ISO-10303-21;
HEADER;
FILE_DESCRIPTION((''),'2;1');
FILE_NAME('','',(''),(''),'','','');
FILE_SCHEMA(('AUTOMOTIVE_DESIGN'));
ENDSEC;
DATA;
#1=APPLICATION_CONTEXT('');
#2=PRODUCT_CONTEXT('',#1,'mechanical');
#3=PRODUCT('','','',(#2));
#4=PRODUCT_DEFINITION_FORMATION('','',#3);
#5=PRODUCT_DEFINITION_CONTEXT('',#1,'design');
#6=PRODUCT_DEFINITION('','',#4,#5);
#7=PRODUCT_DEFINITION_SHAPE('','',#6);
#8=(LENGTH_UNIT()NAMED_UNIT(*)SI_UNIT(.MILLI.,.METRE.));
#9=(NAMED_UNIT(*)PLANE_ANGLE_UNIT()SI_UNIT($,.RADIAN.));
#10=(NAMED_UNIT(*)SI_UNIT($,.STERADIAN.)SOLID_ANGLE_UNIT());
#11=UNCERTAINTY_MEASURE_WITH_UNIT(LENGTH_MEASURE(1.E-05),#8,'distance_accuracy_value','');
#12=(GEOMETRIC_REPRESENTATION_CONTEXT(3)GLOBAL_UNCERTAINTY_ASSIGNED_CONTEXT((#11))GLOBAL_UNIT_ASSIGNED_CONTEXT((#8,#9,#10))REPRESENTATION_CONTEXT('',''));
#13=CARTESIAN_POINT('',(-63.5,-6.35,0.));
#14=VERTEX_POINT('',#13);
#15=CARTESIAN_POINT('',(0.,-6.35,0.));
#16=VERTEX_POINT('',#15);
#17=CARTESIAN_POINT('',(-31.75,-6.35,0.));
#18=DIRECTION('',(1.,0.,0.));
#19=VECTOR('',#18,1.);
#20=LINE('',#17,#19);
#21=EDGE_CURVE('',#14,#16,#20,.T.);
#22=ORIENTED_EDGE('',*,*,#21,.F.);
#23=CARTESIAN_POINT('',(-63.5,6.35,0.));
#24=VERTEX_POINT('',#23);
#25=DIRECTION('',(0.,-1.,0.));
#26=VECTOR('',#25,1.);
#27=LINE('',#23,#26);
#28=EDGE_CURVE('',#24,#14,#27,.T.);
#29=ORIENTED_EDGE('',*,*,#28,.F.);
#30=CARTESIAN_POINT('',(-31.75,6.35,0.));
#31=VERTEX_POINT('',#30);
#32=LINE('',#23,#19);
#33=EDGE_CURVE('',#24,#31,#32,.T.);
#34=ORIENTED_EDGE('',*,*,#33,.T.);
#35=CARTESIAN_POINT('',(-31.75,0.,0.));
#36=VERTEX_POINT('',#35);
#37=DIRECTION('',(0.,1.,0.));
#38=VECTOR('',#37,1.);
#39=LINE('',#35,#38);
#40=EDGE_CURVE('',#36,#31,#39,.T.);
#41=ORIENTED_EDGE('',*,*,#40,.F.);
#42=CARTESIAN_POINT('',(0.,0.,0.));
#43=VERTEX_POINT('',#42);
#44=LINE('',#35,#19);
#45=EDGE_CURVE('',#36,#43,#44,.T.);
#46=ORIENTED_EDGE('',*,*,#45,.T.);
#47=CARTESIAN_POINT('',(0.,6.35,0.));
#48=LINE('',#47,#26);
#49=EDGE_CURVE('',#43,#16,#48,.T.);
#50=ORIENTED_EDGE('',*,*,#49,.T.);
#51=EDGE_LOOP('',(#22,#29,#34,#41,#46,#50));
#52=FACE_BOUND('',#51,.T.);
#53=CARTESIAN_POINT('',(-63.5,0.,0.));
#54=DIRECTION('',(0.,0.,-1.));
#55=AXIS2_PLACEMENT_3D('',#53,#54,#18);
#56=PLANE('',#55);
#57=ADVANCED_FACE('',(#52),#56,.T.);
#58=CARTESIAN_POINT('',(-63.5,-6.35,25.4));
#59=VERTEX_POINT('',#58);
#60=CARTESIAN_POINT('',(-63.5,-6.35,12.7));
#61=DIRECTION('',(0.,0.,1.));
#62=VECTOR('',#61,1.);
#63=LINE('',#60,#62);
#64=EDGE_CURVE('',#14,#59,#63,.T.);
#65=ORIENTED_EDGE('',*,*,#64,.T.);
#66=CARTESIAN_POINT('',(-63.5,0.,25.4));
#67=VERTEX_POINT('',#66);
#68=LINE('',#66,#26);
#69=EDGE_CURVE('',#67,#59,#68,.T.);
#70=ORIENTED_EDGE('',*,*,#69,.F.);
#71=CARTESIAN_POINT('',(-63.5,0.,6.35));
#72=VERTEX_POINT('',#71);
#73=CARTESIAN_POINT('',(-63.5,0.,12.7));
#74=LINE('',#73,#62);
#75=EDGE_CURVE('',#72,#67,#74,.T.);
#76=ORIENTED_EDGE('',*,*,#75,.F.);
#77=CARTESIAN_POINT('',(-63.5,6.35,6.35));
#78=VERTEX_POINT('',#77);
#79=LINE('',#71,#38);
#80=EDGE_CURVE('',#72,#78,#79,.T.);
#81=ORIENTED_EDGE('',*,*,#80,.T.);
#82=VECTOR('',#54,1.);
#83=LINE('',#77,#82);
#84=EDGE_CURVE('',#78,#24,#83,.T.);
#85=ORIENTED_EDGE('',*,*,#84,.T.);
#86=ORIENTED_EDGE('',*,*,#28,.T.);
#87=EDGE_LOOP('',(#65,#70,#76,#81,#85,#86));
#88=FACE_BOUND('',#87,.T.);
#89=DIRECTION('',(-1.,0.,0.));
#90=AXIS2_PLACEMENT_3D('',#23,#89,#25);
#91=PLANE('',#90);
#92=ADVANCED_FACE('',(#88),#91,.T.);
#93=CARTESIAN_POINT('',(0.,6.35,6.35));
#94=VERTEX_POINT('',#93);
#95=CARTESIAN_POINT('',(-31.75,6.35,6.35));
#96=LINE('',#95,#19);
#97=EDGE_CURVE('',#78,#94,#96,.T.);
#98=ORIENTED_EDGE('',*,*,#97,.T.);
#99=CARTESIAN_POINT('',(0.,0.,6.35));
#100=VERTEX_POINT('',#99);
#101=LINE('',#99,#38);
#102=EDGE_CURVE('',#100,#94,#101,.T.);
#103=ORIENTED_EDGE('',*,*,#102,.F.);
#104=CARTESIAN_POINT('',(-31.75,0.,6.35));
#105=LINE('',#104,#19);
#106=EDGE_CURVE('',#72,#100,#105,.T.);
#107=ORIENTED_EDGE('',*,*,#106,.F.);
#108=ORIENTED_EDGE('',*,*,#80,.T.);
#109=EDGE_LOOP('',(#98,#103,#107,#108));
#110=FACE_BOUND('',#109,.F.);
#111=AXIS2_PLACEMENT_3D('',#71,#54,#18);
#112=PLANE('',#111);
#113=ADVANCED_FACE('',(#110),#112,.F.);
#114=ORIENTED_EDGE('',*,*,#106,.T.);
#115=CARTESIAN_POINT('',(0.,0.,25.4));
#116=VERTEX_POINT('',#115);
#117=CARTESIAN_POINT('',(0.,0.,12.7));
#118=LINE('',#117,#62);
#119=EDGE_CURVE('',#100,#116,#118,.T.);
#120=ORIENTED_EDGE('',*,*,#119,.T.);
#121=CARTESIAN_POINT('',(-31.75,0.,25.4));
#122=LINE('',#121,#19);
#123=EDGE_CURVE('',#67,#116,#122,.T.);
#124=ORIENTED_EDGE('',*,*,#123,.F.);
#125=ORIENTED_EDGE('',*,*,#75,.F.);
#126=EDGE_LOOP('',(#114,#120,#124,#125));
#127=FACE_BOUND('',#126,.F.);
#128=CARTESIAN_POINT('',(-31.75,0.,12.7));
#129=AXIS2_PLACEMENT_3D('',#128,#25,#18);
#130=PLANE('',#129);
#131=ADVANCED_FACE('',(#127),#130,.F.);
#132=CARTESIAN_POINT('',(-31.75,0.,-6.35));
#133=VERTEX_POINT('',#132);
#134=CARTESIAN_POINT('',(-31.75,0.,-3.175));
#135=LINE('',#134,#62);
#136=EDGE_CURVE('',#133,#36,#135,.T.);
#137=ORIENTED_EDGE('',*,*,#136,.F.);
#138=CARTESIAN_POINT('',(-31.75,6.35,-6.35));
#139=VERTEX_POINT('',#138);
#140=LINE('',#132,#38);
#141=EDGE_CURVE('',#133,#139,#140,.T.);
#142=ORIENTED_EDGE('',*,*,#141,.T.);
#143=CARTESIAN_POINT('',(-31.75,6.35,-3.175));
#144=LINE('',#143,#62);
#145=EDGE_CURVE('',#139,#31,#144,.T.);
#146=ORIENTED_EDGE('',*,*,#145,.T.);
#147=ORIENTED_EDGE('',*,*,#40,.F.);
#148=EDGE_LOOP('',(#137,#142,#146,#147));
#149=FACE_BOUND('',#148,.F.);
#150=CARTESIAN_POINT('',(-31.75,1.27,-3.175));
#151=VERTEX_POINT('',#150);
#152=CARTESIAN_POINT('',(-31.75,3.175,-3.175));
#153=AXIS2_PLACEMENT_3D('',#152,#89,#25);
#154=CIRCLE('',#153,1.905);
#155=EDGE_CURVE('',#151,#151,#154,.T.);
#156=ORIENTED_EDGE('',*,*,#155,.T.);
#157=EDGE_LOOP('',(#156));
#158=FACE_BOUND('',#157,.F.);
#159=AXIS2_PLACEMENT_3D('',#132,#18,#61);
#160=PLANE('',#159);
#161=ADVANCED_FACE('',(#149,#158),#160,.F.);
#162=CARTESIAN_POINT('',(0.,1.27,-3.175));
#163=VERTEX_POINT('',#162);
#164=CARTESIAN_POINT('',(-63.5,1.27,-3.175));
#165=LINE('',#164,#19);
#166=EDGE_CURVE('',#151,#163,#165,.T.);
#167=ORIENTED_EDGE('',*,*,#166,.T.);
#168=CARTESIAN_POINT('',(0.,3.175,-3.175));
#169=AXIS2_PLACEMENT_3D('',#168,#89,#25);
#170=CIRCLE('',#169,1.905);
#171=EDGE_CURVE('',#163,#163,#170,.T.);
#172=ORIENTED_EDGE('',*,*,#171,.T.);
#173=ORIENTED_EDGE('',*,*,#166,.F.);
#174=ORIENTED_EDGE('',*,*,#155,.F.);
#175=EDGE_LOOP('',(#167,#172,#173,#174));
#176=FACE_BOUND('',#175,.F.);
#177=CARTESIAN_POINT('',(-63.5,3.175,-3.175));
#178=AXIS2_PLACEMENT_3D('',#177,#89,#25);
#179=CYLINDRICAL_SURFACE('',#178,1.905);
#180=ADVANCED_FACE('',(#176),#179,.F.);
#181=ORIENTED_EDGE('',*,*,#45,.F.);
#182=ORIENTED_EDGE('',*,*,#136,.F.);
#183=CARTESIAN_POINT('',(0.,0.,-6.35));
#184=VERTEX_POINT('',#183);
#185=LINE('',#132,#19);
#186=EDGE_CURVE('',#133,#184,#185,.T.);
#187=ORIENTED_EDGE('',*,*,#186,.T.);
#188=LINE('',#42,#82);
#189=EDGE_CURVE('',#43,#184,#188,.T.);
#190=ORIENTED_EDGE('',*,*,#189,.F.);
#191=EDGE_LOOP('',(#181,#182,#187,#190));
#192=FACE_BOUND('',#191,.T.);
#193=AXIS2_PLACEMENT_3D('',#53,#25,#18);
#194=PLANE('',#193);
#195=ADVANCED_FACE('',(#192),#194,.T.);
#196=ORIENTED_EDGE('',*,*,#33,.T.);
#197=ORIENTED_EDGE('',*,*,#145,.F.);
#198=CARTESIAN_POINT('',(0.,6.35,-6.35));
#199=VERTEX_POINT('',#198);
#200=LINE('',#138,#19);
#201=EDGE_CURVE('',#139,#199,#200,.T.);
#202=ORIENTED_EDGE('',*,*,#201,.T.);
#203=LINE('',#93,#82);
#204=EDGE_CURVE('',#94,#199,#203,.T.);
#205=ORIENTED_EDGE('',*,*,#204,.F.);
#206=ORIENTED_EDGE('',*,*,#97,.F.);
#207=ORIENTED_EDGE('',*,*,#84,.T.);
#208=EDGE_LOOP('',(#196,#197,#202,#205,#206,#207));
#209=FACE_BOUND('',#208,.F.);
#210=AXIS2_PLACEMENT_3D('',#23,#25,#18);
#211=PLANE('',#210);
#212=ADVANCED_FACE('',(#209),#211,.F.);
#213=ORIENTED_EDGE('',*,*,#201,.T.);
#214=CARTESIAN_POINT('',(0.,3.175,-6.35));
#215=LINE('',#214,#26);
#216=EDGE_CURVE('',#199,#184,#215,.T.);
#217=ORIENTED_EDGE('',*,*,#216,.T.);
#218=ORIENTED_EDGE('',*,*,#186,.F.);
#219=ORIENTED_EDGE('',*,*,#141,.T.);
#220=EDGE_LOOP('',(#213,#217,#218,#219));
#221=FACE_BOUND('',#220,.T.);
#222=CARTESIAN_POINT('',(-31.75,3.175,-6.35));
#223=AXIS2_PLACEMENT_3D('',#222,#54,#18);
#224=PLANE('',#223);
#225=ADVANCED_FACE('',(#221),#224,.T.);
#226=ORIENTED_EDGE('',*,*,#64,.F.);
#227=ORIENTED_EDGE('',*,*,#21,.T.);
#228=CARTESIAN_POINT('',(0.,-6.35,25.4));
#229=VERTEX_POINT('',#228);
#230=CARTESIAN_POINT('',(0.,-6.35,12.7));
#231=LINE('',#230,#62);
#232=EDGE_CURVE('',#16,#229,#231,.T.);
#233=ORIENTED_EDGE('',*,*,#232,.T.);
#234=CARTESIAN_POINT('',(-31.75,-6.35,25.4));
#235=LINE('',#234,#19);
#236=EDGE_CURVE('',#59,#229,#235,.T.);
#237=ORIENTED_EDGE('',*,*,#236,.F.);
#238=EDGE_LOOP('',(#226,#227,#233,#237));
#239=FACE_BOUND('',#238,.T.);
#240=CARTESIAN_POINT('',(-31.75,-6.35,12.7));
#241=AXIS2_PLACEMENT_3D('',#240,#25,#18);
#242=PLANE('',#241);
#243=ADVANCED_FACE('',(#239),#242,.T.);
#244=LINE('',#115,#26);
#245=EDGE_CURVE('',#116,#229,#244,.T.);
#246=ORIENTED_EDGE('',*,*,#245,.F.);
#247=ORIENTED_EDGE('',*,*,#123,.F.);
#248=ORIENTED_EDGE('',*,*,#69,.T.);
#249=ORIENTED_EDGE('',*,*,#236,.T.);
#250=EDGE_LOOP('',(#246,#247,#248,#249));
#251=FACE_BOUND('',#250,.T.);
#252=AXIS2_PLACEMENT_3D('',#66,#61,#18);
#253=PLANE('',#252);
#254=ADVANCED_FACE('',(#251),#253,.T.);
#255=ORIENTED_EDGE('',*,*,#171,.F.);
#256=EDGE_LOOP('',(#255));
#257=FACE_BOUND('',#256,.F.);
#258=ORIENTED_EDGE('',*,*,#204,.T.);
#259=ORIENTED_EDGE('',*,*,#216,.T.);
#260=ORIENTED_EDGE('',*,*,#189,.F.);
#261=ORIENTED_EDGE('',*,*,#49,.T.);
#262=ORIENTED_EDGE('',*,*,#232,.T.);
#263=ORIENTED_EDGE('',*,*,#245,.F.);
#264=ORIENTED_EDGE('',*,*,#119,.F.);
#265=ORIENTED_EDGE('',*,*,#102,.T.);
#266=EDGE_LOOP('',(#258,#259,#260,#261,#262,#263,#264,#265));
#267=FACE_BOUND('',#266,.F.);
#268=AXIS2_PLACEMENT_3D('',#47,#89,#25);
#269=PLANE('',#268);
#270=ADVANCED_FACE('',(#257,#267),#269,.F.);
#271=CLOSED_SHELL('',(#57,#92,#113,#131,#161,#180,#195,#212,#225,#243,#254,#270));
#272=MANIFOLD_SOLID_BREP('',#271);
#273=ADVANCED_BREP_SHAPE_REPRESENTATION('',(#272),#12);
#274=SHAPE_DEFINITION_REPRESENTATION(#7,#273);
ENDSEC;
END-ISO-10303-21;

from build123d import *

# Parameters (mm, degrees)
F0_W     = 63.5
F0_H     = 25.4
F1_DEPTH = 6.35
F2_W     = 63.5
F2_H     = 6.35
F3_DEPTH = 6.35
F4_W     = 63.5
F4_H     = 6.35
F5_DEPTH = 6.35
F6_R     = 1.905
F7_DEPTH = 63.501
F8_W     = 31.75
F8_H     = 6.35
F9_DEPTH = 25.4


with BuildPart() as f1:
    # F0 (on Front) → F1 (new body)
    with BuildSketch(Plane.XZ):
        with Locations((-31.75, 12.7)):
            Rectangle(F0_W, F0_H)
    extrude(amount=F1_DEPTH)

    # F2 (on Front) → F3 (join)
    with BuildSketch(Plane.XZ):
        with Locations((-31.75, 3.175)):
            Rectangle(F2_W, F2_H)
    extrude(amount=-F3_DEPTH)

    # F4 (on face) → F5 (join)
    with BuildSketch(Plane(origin=(0, 0, 0), x_dir=(1, 0, 0), z_dir=(0, 0, -1))):
        with Locations((-31.75, -3.175)):
            Rectangle(F4_W, F4_H)
    extrude(amount=F5_DEPTH)

    # F6 (on face) → F7 (cut, through all)
    with BuildSketch(Plane(origin=(-63.5, 0, 0), x_dir=(0, -1, 0), z_dir=(-1, 0, 0))):
        with Locations((-3.175, -3.175)):
            Circle(F6_R)
    extrude(amount=-F7_DEPTH, mode=Mode.SUBTRACT)

    # F8 (on face) → F9 (cut)
    with BuildSketch(Plane.XZ):
        with Locations((-47.625, -3.175)):
            Rectangle(F8_W, F8_H)
    extrude(amount=-F9_DEPTH, mode=Mode.SUBTRACT)


solid = f1.part
